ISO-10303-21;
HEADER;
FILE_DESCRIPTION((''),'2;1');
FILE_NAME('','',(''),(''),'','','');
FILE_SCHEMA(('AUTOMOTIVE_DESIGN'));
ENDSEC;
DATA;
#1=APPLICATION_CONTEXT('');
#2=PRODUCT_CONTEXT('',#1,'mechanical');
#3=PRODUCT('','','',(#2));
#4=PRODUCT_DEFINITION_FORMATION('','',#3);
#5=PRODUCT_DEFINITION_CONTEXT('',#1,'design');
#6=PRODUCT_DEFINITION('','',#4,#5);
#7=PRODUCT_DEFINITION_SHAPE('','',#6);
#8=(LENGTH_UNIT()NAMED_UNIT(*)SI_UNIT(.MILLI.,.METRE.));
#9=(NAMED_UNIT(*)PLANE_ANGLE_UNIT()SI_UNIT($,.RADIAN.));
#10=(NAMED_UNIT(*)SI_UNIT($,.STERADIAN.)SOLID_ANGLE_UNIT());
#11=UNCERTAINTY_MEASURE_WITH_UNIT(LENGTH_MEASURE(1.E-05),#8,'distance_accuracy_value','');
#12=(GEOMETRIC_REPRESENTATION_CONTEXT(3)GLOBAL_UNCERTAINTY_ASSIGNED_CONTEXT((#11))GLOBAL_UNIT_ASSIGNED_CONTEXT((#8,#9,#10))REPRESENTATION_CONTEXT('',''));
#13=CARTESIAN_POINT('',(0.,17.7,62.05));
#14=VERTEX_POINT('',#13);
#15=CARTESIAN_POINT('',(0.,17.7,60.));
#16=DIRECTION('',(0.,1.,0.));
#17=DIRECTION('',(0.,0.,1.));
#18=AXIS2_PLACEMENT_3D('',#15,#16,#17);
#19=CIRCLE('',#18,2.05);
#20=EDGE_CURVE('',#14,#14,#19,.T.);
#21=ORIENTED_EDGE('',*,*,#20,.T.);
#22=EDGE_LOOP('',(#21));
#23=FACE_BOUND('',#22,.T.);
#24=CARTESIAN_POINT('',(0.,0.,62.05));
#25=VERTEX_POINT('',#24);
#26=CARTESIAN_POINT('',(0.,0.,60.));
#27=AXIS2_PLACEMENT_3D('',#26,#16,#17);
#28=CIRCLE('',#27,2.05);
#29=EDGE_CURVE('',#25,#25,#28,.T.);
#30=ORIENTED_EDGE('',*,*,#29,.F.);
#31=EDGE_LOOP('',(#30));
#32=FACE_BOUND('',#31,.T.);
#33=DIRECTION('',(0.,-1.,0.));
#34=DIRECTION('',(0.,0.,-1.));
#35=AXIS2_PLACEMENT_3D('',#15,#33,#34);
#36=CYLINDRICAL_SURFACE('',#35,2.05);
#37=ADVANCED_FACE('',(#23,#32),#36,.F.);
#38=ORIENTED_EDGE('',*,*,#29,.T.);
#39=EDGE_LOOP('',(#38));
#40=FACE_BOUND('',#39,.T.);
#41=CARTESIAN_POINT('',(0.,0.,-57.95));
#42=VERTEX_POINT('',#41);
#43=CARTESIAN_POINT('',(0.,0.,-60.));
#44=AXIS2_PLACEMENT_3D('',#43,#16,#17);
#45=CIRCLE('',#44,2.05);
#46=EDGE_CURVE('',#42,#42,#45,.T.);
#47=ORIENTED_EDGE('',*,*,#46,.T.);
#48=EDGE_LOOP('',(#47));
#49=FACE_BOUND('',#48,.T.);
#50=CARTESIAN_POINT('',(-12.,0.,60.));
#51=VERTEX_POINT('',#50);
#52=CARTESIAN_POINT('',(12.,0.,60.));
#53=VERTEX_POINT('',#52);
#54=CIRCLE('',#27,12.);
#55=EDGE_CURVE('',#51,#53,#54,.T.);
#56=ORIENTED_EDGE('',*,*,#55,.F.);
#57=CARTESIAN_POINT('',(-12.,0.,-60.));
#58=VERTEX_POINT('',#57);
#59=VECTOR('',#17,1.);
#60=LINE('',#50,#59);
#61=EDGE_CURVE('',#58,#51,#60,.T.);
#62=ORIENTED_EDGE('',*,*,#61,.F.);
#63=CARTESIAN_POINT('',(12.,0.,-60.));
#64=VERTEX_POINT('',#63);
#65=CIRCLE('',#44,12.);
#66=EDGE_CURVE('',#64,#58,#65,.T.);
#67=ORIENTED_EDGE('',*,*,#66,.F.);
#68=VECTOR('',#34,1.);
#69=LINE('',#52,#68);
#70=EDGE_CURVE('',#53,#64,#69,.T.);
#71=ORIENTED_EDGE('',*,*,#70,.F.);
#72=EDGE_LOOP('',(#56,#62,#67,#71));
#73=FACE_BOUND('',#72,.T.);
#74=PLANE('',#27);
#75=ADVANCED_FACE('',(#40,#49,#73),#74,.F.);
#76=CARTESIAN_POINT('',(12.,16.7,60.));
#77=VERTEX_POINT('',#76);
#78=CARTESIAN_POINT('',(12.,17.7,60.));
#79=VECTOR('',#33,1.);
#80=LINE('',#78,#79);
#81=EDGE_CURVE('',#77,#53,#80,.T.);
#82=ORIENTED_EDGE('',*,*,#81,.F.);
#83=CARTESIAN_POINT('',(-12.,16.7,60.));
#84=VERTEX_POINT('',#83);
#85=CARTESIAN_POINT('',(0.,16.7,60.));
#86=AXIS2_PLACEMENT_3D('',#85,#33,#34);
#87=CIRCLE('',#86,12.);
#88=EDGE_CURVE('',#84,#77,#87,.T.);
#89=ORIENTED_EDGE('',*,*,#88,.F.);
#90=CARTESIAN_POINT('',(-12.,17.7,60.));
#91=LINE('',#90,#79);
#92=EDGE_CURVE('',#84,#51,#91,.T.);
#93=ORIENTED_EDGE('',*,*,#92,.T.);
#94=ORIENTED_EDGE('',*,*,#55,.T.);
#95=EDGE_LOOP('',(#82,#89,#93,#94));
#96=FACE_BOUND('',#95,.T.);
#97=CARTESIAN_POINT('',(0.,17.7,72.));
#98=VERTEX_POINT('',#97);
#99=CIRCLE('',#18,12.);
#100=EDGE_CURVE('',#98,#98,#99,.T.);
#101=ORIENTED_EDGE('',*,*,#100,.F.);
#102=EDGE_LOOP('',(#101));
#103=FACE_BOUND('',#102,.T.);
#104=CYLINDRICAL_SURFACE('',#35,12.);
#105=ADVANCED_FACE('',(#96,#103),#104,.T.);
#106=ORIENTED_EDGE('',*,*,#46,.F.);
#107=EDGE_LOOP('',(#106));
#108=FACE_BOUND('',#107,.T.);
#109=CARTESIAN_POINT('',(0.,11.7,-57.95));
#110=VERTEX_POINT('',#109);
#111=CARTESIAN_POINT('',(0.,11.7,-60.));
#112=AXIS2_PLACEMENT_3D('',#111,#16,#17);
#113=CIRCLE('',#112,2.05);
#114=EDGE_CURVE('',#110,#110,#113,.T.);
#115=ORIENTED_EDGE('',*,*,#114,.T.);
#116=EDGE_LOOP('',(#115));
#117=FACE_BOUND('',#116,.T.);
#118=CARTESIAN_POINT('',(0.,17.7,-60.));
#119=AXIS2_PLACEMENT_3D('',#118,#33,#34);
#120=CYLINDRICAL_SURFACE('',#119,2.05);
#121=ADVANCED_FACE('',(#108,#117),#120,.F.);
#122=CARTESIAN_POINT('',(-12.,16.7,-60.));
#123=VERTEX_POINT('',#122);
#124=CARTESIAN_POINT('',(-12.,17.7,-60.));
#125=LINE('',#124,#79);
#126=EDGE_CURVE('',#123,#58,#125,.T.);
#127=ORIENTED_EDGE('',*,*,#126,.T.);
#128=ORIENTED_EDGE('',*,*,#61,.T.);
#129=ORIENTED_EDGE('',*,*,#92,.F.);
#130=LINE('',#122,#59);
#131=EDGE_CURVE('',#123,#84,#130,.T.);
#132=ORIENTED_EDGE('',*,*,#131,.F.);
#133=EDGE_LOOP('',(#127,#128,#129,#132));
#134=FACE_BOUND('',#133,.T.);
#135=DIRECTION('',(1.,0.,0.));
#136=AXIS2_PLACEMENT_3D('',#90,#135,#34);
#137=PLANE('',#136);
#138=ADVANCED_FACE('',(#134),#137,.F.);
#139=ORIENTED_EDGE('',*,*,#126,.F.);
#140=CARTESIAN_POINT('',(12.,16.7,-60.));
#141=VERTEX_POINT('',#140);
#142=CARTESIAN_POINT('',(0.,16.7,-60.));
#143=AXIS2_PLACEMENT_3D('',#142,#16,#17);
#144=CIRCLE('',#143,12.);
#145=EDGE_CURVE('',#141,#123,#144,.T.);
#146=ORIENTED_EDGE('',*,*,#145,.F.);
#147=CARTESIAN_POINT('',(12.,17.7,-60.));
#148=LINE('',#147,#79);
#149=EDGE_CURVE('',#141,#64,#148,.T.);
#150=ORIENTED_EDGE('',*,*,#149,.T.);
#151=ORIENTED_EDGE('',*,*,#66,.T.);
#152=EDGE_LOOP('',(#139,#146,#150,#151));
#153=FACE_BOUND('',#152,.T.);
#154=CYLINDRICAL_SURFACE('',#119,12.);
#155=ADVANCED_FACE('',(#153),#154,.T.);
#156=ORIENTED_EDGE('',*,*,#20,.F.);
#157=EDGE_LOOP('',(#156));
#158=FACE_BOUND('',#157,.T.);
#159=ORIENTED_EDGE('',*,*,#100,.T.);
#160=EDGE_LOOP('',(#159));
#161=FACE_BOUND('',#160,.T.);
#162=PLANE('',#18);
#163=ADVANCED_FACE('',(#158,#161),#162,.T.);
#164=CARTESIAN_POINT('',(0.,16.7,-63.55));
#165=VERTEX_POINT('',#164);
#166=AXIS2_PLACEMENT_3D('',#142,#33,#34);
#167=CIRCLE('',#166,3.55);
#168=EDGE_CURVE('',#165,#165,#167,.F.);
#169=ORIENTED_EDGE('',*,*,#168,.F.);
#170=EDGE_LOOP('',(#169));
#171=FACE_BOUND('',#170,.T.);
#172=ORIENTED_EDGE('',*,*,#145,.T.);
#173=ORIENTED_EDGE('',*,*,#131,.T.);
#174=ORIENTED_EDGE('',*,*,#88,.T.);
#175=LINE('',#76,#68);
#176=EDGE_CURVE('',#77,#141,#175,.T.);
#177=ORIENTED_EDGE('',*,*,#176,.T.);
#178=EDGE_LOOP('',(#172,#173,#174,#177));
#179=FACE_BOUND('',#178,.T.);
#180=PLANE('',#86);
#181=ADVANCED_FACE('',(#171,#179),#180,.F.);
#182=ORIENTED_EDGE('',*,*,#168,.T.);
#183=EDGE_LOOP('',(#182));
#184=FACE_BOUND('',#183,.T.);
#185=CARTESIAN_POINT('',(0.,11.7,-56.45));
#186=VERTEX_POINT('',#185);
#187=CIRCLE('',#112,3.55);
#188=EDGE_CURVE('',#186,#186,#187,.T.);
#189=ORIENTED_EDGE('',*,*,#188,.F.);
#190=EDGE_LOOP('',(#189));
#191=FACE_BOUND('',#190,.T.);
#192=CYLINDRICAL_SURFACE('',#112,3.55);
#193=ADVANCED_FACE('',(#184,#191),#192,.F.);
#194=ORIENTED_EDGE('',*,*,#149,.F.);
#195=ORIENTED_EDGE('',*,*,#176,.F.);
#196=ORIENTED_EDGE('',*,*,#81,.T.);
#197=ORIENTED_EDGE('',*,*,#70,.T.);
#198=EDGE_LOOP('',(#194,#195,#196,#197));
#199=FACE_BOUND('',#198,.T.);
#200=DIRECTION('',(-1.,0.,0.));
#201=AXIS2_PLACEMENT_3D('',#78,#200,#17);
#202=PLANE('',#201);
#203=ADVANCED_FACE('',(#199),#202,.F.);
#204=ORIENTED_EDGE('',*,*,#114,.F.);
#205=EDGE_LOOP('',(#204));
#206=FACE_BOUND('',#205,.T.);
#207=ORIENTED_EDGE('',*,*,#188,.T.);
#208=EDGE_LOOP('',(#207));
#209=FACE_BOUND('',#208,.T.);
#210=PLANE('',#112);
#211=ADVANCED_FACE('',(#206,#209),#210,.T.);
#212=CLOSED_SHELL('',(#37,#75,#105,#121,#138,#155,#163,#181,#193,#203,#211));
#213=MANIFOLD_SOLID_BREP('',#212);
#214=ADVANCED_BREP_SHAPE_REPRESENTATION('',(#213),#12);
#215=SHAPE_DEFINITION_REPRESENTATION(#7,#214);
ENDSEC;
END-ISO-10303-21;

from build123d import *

# Parameters (mm, degrees)
SKETCH1_R           = 2.05
BOSS_EXTRUDE1_DEPTH = 17.7
SKETCH2_R           = 3.55
CUT_EXTRUDE1_DEPTH  = 6
CUT_EXTRUDE2_START  = -1
CUT_EXTRUDE2_DEPTH  = 1


with BuildPart() as part:
    # Sketch1 → Boss-Extrude1 (new body)
    with BuildSketch(Plane(origin=(0, 0, 0), x_dir=(1, 0, 0), z_dir=(0, 1, 0))):
        with BuildLine():
            Line((-12, -60), (-12, 60))
            ThreePointArc((-12, 60), (0, 72), (12, 60))
            Line((12, 60), (12, -60))
            ThreePointArc((12, -60), (0, -72), (-12, -60))
        make_face()
        with Locations(Location((0, 60, 0), (0, 0, 270))):
            Circle(SKETCH1_R, mode=Mode.SUBTRACT)
        with Locations(Location((0, -60, 0), (0, 0, 270))):
            Circle(SKETCH1_R, mode=Mode.SUBTRACT)
    extrude(amount=BOSS_EXTRUDE1_DEPTH)

    # Sketch2 → Cut-Extrude1 (cut)
    with BuildSketch(Plane(origin=(0, 17.7, 0), x_dir=(1, 0, 0), z_dir=(0, 1, 0))):
        with Locations(Location((0, 60, 0), (0, 0, 270))):
            Circle(SKETCH2_R)
    extrude(amount=-CUT_EXTRUDE1_DEPTH, mode=Mode.SUBTRACT)

    # Sketch3 → Cut-Extrude2 (cut)
    with BuildSketch(Plane(origin=(0, 17.7, 0), x_dir=(1, 0, 0), z_dir=(0, 1, 0)).offset(CUT_EXTRUDE2_START)):
        with BuildLine():
            Line((12, -60), (12, 60))
            ThreePointArc((12, 60), (0, 72), (-12, 60))
            Line((-12, 60), (-12, -60))
            ThreePointArc((-12, -60), (0, -48), (12, -60))
        make_face()
    extrude(amount=CUT_EXTRUDE2_DEPTH, mode=Mode.SUBTRACT)


solid = part.part
